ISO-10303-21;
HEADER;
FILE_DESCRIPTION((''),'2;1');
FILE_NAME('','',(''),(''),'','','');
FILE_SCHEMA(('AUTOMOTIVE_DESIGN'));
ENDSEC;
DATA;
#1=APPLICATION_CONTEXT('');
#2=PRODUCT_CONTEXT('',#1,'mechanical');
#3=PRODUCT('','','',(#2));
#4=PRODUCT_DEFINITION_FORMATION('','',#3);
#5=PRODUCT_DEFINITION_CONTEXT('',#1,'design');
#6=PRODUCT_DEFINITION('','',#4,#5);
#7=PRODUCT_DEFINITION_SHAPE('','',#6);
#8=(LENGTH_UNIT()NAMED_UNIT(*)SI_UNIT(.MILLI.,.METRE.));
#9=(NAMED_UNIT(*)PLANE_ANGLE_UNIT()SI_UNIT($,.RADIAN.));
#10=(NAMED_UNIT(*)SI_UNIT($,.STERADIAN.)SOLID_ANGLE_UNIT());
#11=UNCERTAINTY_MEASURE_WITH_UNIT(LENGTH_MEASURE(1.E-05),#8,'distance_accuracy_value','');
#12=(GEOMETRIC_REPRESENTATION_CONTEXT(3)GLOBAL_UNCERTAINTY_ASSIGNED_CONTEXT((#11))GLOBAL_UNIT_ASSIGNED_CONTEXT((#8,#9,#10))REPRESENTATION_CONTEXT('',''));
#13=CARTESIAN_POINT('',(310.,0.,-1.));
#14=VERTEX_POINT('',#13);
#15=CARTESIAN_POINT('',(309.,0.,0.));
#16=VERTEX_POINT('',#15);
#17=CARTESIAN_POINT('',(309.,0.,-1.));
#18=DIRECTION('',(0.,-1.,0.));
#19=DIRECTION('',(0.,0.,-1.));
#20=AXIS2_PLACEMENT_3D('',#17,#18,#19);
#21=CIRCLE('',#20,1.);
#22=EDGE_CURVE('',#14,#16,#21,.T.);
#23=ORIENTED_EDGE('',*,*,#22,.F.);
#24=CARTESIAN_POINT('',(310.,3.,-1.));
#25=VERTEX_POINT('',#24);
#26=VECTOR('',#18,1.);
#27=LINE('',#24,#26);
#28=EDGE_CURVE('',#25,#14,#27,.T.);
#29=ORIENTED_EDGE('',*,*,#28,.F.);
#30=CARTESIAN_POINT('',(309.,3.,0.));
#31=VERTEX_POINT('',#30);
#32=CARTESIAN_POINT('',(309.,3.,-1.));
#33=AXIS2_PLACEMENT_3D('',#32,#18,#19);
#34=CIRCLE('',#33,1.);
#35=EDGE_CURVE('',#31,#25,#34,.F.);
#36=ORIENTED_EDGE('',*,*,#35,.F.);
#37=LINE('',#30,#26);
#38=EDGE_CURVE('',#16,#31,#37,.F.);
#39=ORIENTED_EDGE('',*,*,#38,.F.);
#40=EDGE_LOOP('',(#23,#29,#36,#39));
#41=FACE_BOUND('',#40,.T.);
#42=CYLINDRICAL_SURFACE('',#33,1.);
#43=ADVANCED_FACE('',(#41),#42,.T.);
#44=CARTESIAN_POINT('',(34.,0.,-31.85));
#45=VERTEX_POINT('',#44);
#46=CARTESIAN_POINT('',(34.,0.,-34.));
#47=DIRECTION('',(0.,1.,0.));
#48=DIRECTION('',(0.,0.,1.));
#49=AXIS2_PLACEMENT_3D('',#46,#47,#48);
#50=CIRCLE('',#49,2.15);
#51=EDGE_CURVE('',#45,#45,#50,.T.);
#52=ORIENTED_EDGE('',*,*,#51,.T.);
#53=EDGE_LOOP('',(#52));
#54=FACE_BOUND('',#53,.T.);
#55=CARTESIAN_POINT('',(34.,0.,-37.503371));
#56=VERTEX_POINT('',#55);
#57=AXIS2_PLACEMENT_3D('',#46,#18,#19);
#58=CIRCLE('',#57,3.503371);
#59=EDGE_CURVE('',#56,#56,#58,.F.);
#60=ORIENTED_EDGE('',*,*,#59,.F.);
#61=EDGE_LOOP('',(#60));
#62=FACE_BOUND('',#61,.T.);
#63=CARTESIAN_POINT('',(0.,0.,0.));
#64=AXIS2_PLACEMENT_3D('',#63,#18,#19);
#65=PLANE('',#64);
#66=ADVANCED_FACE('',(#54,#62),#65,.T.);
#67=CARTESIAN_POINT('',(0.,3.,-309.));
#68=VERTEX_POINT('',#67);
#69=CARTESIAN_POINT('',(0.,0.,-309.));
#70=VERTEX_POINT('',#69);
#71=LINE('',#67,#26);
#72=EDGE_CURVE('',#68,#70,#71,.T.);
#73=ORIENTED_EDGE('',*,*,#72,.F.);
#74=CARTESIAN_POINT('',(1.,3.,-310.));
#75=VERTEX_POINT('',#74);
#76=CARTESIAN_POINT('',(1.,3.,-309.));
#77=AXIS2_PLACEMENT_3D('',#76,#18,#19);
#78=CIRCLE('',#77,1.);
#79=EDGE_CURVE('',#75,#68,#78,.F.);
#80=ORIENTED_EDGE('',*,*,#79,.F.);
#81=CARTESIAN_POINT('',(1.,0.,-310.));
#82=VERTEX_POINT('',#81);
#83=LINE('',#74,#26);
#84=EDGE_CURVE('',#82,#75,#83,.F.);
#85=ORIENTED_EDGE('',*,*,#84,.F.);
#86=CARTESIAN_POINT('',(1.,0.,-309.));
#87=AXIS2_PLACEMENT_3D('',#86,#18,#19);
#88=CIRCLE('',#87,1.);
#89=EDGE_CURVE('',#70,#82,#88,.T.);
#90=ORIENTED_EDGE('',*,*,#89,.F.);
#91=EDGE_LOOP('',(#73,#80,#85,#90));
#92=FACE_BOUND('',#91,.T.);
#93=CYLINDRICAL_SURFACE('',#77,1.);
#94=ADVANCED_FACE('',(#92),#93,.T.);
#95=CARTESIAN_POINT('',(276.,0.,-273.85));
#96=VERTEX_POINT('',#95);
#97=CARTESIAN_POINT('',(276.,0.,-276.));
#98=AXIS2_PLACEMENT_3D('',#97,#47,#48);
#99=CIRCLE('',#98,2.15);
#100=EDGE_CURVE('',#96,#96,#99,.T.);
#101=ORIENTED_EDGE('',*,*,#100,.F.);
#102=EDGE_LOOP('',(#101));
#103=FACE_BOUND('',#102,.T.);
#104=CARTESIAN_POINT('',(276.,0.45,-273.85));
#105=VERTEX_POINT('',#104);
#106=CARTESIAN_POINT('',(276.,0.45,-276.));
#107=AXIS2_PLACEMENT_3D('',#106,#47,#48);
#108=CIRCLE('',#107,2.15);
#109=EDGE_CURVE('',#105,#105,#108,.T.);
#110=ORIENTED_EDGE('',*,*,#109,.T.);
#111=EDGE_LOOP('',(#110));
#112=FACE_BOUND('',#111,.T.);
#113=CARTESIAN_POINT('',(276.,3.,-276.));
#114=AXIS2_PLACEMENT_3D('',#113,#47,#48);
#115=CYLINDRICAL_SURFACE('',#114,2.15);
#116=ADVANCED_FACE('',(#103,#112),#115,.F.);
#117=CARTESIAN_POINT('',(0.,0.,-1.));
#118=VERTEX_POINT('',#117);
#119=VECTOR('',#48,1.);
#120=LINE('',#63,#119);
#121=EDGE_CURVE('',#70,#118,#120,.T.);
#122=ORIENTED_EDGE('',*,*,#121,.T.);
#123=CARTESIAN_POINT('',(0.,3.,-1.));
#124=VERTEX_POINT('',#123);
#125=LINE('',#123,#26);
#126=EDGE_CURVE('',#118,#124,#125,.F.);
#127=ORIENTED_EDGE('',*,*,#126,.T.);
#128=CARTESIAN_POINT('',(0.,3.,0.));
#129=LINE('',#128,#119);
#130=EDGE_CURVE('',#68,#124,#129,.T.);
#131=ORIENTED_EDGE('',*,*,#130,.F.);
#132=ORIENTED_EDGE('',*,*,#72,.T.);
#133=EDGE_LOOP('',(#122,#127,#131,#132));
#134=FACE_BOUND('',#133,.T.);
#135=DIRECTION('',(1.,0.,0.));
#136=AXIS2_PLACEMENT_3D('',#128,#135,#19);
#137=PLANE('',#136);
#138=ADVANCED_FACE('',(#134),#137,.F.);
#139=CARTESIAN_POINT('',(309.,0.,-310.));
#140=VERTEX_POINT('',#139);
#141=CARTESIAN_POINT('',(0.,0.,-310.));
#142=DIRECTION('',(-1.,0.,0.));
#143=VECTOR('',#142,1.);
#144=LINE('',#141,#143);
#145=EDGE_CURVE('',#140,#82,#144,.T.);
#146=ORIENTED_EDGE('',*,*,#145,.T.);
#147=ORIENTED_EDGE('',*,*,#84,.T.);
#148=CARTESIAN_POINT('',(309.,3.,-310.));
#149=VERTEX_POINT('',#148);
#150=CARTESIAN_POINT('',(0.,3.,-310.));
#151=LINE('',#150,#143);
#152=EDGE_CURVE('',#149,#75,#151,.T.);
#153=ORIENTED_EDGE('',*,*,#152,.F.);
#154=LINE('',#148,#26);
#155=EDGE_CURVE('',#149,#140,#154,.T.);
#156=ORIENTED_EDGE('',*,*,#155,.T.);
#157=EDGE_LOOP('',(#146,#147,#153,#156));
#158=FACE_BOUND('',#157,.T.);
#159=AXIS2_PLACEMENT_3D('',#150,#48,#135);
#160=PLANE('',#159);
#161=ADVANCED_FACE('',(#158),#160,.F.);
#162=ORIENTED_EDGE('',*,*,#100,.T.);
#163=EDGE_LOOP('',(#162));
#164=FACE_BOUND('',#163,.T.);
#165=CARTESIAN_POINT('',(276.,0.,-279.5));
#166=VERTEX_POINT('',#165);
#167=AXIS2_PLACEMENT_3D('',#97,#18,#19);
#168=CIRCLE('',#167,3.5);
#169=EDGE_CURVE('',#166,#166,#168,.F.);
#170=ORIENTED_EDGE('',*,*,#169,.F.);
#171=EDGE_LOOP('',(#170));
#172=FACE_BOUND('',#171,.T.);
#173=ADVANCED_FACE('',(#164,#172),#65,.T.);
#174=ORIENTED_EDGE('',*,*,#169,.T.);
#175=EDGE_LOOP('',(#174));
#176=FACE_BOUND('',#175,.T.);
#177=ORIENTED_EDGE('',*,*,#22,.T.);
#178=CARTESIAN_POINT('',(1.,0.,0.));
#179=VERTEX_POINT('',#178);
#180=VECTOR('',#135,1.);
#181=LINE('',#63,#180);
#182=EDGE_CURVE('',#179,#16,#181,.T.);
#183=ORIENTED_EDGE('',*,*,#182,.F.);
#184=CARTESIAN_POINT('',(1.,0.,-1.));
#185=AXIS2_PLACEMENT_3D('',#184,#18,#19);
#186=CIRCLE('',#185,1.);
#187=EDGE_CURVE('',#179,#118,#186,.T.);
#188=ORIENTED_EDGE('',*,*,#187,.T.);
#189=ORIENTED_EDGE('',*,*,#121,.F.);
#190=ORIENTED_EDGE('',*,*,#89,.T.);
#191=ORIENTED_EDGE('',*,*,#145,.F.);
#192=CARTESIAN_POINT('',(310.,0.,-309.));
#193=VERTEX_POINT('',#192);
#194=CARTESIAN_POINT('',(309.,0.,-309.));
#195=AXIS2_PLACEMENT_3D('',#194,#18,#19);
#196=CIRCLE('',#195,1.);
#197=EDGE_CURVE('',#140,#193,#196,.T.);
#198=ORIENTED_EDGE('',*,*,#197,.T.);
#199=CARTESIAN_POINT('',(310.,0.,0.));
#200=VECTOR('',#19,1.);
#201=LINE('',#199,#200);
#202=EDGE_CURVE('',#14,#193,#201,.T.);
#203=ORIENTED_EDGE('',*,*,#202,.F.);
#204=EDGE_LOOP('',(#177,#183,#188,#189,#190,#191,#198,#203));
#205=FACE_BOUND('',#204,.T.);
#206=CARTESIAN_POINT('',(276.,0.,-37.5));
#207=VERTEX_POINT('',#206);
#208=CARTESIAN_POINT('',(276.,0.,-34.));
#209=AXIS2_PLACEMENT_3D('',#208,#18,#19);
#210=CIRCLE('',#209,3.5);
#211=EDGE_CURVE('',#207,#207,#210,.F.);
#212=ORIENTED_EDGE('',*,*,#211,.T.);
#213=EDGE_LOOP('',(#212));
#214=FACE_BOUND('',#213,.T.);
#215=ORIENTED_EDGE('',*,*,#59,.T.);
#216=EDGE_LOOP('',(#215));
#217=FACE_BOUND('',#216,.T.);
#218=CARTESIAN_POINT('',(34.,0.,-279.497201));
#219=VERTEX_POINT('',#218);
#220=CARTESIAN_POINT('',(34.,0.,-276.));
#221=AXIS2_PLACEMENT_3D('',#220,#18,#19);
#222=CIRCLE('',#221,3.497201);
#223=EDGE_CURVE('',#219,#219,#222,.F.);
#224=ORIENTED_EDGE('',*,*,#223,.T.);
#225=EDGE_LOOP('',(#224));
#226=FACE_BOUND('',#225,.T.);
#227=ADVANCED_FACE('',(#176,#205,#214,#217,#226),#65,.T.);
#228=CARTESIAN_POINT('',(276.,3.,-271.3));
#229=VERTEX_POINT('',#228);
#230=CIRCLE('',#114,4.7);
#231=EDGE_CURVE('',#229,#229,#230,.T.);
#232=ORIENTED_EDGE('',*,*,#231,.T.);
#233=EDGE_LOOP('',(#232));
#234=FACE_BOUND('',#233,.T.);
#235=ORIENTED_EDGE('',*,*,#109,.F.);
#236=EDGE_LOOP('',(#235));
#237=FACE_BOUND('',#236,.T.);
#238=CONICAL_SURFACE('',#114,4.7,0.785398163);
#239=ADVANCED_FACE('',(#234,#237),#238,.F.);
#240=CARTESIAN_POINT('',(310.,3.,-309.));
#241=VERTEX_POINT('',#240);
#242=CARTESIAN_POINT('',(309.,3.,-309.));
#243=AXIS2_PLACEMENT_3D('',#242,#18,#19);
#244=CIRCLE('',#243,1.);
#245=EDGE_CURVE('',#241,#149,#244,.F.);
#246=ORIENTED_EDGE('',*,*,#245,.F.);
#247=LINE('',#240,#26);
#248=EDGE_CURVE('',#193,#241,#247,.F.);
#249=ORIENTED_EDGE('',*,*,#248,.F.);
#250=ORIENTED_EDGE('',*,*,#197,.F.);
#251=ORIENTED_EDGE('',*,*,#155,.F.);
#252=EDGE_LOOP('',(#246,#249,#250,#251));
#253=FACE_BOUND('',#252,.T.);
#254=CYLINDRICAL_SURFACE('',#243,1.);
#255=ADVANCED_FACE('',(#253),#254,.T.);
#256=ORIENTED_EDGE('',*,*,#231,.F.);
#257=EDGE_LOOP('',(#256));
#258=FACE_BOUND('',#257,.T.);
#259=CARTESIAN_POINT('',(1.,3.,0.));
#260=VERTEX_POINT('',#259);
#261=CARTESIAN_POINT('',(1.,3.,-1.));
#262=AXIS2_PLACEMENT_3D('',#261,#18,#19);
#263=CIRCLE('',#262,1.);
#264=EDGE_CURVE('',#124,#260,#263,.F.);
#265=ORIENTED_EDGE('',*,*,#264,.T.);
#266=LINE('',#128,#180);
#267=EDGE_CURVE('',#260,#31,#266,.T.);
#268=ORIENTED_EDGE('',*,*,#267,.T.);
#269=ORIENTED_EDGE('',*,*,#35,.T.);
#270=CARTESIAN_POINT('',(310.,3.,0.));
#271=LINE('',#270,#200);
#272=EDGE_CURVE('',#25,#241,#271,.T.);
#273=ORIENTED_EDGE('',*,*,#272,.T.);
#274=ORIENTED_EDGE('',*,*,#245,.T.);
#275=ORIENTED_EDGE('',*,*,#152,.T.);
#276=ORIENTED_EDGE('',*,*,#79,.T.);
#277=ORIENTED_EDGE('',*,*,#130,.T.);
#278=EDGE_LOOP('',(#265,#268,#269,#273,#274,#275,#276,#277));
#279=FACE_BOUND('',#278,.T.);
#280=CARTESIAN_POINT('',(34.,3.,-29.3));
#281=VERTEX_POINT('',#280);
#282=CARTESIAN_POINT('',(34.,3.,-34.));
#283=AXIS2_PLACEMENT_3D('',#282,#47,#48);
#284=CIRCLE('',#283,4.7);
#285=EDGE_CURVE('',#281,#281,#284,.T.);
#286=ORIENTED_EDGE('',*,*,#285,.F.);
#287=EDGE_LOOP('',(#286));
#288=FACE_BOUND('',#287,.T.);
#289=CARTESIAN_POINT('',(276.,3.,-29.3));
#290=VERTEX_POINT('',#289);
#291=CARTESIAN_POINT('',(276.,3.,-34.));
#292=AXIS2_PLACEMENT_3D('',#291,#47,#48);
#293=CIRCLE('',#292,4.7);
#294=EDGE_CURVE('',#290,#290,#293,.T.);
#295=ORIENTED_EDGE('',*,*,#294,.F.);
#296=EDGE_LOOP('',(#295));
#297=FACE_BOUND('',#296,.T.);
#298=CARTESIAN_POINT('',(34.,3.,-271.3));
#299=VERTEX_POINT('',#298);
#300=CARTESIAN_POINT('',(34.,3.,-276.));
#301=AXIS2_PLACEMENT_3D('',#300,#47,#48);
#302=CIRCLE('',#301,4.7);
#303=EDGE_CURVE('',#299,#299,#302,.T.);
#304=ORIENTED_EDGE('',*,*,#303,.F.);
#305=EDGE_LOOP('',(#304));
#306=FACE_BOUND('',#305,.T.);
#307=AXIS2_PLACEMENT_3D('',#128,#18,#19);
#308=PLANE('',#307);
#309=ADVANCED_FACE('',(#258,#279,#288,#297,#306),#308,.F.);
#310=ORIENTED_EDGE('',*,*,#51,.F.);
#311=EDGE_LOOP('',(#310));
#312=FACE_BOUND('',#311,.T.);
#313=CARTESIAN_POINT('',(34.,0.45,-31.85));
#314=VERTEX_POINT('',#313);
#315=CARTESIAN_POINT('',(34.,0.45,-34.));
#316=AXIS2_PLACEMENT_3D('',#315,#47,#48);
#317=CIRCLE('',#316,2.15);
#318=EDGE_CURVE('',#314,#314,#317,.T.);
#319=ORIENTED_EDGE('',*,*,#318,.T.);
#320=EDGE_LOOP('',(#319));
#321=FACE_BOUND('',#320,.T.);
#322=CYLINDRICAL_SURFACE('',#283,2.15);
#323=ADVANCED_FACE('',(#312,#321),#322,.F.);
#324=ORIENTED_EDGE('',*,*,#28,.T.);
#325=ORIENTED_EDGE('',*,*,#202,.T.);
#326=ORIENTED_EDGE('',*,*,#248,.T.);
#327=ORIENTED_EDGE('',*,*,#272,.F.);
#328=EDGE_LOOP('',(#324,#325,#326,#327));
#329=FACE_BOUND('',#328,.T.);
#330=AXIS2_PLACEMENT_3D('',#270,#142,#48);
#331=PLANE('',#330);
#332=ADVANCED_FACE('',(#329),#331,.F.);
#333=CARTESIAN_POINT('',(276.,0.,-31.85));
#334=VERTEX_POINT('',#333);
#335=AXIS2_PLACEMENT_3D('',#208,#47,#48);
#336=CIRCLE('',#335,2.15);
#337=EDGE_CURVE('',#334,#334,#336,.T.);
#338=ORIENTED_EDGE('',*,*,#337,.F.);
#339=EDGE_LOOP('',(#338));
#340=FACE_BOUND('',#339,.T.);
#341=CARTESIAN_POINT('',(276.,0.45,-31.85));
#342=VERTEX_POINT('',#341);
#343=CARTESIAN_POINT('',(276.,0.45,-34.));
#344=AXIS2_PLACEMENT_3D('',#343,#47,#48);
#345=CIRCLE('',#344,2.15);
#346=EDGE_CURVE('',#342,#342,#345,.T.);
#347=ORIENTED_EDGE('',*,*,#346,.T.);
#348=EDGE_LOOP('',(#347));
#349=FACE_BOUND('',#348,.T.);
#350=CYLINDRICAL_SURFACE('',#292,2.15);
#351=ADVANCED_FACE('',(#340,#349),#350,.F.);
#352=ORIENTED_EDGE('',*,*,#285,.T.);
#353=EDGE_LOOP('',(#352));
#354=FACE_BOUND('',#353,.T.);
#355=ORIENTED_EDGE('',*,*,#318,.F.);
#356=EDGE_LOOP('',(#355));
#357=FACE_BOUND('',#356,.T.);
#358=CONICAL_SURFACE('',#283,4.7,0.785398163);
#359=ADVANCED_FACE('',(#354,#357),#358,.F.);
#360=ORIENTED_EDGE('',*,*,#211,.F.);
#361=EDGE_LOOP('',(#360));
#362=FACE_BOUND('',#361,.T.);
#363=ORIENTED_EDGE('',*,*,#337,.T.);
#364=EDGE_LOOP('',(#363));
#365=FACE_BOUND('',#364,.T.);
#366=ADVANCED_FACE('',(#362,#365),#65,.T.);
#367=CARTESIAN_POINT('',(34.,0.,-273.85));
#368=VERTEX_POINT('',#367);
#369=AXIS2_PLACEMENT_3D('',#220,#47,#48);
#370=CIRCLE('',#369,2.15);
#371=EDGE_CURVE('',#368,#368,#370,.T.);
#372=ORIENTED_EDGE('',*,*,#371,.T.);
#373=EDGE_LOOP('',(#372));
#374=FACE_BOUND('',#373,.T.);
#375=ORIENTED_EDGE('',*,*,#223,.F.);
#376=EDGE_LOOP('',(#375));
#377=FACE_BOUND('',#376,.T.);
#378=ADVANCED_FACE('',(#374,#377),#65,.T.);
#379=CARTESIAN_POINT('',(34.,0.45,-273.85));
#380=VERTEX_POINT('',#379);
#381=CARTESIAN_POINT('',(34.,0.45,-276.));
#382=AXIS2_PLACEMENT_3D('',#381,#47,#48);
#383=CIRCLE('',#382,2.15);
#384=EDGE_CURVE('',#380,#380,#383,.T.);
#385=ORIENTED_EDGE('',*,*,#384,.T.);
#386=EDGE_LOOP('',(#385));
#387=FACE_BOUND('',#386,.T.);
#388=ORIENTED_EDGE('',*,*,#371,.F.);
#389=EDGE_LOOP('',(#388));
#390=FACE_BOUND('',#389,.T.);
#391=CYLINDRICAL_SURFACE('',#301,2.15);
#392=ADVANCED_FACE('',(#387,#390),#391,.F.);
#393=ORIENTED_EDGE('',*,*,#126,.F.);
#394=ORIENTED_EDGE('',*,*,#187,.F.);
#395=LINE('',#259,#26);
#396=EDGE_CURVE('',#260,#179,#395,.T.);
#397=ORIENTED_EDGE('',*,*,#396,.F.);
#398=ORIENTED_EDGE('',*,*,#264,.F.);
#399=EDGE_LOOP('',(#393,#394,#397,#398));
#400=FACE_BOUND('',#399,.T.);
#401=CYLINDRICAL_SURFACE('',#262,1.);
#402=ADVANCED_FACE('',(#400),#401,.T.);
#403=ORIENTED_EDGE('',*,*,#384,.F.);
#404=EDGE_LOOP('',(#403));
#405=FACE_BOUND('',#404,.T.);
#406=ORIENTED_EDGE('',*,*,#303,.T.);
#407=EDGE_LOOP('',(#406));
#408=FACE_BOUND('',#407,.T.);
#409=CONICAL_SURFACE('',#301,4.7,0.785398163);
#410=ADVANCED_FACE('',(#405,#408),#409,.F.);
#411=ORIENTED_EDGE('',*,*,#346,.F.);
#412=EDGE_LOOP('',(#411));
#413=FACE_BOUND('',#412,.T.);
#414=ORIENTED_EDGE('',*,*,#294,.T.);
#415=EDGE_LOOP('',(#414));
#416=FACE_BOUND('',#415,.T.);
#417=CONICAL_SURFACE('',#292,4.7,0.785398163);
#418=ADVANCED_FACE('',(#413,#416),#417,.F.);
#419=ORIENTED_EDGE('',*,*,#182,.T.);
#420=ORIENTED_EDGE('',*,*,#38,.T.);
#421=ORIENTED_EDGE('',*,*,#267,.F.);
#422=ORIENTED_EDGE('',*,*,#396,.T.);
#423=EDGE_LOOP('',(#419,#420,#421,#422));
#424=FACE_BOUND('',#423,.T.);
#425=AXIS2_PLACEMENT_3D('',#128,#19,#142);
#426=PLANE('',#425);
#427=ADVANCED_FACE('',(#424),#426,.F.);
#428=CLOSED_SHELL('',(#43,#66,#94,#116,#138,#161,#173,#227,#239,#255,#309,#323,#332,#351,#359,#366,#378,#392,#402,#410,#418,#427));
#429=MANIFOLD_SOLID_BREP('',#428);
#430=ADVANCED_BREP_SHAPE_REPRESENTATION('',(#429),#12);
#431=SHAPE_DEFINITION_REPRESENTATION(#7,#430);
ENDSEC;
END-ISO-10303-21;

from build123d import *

# Parameters (mm, degrees)
SZKIC1_W                                    = 310
SZKIC1_H                                    = 310
DODANIE_WYCI_GNI_CIE1_DEPTH                 = 3
ZAOKR_GLENIE1_R                             = 1
POG_BIENIE_STO_KOWE_POD_M4_WKR_T_DO_2_COUNT = 2
POG_BIENIE_STO_KOWE_POD_M4_WKR_T_DO_2_PITCH = 242
POG_BIENIE_STO_KOWE_POD_M4_WKR_T_DO_3_COUNT = 2
POG_BIENIE_STO_KOWE_POD_M4_WKR_T_DO_3_PITCH = 342.239682094
POG_BIENIE_STO_KOWE_POD_M4_WKR_T_DO_4_COUNT = 2
POG_BIENIE_STO_KOWE_POD_M4_WKR_T_DO_4_PITCH = 242


with BuildPart() as part:
    # Szkic1 → Dodanie-wyciągnięcie1 (new body)
    with BuildSketch(Plane(origin=(0, 0, 0), x_dir=(1, 0, 0), z_dir=(0, 1, 0))):
        with Locations((155, 155)):
            Rectangle(SZKIC1_W, SZKIC1_H)
    extrude(amount=DODANIE_WYCI_GNI_CIE1_DEPTH)

    # Zaokrąglenie1
    zaokr_glenie1_edges = [part.edges().sort_by_distance(p)[0] for p in [
        (0, 1.5, -310),
        (310, 1.5, -310),
        (310, 1.5, 0),
        (0, 1.5, 0),
    ]]
    fillet(zaokr_glenie1_edges, radius=ZAOKR_GLENIE1_R)

    # Szkic3 → Pogłębienie stożkowe pod M4 wkręt do części metalowych z łbem soczewkowym1 (revolve, cut)
    with BuildSketch(Plane(origin=(34, 3, -276), x_dir=(0, 0, 1), z_dir=(1, 0, 0))):
        Polygon((0, 0), (0, 3), (2.15, 3), (2.15, 2.55), (4.7, 0), align=None)
    pog_bienie_sto_kowe_pod_m4_wkr_t_do_cz_c = revolve(axis=Axis((34, 9.35, -276), (0, -1, 0)), mode=Mode.SUBTRACT)

    # Pog_bienie sto_kowe pod M4 wkr_t do  2: Pogłębienie stożkowe pod M4 wkręt do części metalowych z łbem soczewkowym1 ×2
    with Locations(*[(0, 0, i * POG_BIENIE_STO_KOWE_POD_M4_WKR_T_DO_2_PITCH) for i in range(1, POG_BIENIE_STO_KOWE_POD_M4_WKR_T_DO_2_COUNT)]):
        add(pog_bienie_sto_kowe_pod_m4_wkr_t_do_cz_c, mode=Mode.SUBTRACT)

    # Pog_bienie sto_kowe pod M4 wkr_t do  3: Pogłębienie stożkowe pod M4 wkręt do części metalowych z łbem soczewkowym1 ×2
    with Locations(*[Vector(0.7071067811865476, 0, 0.7071067811865475) * (i * POG_BIENIE_STO_KOWE_POD_M4_WKR_T_DO_3_PITCH) for i in range(1, POG_BIENIE_STO_KOWE_POD_M4_WKR_T_DO_3_COUNT)]):
        add(pog_bienie_sto_kowe_pod_m4_wkr_t_do_cz_c, mode=Mode.SUBTRACT)

    # Pog_bienie sto_kowe pod M4 wkr_t do  4: Pogłębienie stożkowe pod M4 wkręt do części metalowych z łbem soczewkowym1 ×2
    with Locations(*[(i * POG_BIENIE_STO_KOWE_POD_M4_WKR_T_DO_4_PITCH, 0, 0) for i in range(1, POG_BIENIE_STO_KOWE_POD_M4_WKR_T_DO_4_COUNT)]):
        add(pog_bienie_sto_kowe_pod_m4_wkr_t_do_cz_c, mode=Mode.SUBTRACT)


solid = part.part
